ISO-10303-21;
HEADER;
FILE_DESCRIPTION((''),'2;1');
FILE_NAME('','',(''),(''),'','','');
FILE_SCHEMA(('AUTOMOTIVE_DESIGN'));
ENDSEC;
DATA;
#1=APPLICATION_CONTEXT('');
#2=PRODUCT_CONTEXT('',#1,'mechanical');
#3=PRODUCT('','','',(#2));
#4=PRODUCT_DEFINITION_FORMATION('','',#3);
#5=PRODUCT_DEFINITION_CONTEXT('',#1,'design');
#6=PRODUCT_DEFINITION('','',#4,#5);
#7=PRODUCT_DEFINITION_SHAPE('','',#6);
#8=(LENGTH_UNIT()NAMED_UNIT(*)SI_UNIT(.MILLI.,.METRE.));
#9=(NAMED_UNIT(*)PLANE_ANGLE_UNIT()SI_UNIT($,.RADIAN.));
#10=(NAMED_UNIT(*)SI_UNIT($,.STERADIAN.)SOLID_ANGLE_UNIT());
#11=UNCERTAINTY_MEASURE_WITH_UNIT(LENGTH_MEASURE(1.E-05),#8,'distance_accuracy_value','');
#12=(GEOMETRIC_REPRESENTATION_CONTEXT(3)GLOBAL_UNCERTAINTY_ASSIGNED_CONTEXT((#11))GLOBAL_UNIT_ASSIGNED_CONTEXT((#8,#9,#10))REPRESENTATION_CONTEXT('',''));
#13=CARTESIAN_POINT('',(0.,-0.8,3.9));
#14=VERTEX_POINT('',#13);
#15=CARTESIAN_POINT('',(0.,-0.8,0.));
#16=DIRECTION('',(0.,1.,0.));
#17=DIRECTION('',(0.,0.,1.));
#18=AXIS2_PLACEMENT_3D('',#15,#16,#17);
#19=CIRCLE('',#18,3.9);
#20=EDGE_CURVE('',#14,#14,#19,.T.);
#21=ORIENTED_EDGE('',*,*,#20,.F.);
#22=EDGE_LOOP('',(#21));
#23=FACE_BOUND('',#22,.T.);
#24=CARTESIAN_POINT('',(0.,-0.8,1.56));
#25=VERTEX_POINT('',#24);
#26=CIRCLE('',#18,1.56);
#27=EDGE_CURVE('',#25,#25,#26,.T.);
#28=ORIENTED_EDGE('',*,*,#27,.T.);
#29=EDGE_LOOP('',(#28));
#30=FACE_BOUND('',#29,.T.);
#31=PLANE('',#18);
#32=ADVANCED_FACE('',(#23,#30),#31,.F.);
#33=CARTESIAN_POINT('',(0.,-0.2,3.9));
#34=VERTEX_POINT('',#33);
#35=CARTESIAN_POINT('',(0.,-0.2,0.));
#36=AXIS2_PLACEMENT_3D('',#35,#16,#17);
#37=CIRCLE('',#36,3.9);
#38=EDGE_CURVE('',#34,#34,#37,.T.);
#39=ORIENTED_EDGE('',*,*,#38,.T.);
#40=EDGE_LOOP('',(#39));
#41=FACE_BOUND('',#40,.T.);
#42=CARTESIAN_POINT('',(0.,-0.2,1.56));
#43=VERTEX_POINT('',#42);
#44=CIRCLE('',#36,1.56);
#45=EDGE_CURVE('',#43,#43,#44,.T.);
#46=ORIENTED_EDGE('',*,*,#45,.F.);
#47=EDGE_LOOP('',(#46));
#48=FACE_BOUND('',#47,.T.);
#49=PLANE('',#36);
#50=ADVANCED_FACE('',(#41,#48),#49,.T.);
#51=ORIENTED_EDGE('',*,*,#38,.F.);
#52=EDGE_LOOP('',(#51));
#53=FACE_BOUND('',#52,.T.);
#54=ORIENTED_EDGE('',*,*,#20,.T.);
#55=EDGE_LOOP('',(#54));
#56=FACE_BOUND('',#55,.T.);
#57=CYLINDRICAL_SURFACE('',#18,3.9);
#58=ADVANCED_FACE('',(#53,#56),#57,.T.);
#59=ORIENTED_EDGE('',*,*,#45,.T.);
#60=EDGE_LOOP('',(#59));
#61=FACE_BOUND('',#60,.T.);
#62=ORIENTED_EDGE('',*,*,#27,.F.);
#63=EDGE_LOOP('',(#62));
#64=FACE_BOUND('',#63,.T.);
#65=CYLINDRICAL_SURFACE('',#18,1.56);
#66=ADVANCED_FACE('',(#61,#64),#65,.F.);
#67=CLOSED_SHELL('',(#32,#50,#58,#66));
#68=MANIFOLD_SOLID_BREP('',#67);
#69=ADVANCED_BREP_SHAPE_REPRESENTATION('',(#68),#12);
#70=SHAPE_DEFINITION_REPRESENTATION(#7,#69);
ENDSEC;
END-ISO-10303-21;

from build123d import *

# Parameters (mm, degrees)
SKETCH1_R           = 6.5
SKETCH1_R_2         = 2.6
BOSS_EXTRUDE1_DEPTH = 1
SCALE1_SCALE        = 0.6


with BuildPart() as part:
    # Sketch1 → Boss-Extrude1 (new body)
    with BuildSketch(Plane(origin=(0, 0, 0), x_dir=(1, 0, 0), z_dir=(0, 1, 0))):
        Circle(SKETCH1_R)
        Polygon((-2.742413779, -4.75), (2.742413779, -4.75), (5.484827557, 0), (2.742413779, 4.75), (-2.742413779, 4.75), (-5.484827557, 0), align=None, mode=Mode.SUBTRACT)
        Polygon((-5.484827557, 0), (-2.742413779, -4.75), (2.742413779, -4.75), (5.484827557, 0), (2.742413779, 4.75), (-2.742413779, 4.75), align=None)
        Circle(SKETCH1_R_2, mode=Mode.SUBTRACT)
    extrude(amount=-BOSS_EXTRUDE1_DEPTH)


with BuildPart() as part_1:
    # Scale1: scaled about (0, -0.5, 0)
    add(part.part.scale(SCALE1_SCALE).moved(Location((0, -0.2, 0))))


solid = part_1.part
